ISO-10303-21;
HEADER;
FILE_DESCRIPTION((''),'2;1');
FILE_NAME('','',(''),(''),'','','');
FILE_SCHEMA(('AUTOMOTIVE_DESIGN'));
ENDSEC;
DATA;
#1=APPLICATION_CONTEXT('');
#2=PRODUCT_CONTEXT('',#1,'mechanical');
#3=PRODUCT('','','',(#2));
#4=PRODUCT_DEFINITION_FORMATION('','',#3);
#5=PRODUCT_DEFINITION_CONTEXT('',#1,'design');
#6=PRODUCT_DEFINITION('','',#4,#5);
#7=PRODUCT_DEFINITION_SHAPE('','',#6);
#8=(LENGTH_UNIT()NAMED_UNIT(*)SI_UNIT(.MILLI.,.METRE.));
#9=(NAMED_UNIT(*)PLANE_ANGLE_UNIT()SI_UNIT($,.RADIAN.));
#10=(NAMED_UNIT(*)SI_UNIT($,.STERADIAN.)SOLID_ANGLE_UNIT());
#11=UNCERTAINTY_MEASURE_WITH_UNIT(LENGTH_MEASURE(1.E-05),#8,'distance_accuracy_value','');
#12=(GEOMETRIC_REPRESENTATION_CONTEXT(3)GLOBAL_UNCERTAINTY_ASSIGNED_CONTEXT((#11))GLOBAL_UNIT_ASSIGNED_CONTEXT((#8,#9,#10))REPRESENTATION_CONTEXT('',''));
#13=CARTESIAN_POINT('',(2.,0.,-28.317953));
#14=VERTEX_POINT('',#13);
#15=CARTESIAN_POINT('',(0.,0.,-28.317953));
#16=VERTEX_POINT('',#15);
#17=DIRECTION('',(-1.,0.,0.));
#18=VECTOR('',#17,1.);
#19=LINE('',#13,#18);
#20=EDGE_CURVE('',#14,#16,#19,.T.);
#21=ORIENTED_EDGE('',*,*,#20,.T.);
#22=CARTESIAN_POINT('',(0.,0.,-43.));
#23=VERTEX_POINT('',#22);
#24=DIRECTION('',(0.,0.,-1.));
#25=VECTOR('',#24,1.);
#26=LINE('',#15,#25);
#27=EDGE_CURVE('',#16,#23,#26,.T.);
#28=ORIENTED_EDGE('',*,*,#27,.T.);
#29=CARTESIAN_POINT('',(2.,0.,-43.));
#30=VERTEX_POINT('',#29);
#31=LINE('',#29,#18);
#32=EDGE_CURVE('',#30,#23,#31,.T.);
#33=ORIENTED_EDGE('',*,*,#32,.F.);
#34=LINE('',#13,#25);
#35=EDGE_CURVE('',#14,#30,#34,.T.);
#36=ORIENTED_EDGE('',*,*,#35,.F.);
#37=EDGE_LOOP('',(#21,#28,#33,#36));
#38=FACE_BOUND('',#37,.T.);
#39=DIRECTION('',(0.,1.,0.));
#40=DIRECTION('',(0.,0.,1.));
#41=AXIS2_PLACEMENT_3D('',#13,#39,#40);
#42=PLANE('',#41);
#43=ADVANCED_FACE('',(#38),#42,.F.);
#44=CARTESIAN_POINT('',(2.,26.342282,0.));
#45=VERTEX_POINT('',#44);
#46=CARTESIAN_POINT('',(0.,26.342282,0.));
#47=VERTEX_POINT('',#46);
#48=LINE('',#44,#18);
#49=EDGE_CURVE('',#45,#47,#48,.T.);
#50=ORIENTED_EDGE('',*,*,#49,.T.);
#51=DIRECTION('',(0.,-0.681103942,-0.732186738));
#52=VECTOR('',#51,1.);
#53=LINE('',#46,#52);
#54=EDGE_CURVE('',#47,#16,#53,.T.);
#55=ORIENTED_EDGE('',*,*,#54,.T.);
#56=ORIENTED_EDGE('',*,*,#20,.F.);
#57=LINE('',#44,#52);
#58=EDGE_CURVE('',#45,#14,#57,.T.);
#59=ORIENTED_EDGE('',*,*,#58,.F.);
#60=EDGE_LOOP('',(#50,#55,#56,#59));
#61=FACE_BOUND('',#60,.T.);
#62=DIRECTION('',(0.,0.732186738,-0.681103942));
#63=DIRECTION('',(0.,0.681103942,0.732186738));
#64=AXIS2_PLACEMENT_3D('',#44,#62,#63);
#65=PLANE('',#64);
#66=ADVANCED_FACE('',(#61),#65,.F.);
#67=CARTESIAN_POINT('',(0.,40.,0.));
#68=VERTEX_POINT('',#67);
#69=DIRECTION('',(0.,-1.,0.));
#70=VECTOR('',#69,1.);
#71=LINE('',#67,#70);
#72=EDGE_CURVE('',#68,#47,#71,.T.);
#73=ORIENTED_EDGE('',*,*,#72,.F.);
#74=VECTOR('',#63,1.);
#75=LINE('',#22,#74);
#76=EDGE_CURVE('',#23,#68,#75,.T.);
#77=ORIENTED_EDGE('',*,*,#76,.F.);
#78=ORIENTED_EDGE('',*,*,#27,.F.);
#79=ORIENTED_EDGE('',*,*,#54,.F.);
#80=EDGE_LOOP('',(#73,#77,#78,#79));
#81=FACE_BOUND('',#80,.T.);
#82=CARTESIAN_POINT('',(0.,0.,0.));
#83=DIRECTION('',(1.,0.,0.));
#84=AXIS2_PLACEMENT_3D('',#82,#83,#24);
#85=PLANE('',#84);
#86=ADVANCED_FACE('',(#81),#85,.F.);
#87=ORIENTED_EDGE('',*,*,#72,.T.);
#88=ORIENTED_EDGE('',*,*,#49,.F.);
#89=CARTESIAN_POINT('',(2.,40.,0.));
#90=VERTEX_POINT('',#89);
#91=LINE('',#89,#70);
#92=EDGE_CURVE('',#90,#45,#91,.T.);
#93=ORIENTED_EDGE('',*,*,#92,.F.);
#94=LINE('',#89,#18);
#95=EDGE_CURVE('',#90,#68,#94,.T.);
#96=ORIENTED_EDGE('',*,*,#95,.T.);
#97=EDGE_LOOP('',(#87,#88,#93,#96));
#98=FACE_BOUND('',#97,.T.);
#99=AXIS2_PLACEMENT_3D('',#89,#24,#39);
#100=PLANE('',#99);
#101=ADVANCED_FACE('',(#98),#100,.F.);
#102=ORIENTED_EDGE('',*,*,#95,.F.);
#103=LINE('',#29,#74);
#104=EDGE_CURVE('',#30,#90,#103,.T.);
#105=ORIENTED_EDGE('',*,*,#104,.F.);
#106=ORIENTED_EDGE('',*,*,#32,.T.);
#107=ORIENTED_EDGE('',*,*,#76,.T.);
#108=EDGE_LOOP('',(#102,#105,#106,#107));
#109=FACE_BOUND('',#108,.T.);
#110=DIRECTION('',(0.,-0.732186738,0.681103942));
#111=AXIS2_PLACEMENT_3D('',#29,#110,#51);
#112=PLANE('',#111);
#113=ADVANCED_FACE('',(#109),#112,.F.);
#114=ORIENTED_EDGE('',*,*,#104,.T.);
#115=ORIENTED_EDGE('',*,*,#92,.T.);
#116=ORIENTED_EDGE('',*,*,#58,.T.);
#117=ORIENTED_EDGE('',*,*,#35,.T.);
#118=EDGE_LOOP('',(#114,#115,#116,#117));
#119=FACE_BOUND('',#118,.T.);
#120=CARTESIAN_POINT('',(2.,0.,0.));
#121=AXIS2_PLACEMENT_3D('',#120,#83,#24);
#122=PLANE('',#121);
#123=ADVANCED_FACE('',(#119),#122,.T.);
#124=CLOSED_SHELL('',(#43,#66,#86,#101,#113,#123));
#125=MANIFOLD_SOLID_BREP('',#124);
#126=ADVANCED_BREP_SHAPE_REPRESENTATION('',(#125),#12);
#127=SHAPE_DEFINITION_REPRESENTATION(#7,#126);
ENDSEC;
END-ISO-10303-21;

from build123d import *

# Parameters (mm, degrees)
BOSS_EXTRUDE1_DEPTH = 2


with BuildPart() as part:
    # Sketch1 → Boss-Extrude1 (new body)
    with BuildSketch(Plane(origin=(0, 0, 0), x_dir=(0, 0, -1), z_dir=(1, 0, 0))):
        Polygon((28.31795314, 0), (43, 0), (0, 40), (0, 26.342281991), align=None)
    extrude(amount=BOSS_EXTRUDE1_DEPTH)


solid = part.part
